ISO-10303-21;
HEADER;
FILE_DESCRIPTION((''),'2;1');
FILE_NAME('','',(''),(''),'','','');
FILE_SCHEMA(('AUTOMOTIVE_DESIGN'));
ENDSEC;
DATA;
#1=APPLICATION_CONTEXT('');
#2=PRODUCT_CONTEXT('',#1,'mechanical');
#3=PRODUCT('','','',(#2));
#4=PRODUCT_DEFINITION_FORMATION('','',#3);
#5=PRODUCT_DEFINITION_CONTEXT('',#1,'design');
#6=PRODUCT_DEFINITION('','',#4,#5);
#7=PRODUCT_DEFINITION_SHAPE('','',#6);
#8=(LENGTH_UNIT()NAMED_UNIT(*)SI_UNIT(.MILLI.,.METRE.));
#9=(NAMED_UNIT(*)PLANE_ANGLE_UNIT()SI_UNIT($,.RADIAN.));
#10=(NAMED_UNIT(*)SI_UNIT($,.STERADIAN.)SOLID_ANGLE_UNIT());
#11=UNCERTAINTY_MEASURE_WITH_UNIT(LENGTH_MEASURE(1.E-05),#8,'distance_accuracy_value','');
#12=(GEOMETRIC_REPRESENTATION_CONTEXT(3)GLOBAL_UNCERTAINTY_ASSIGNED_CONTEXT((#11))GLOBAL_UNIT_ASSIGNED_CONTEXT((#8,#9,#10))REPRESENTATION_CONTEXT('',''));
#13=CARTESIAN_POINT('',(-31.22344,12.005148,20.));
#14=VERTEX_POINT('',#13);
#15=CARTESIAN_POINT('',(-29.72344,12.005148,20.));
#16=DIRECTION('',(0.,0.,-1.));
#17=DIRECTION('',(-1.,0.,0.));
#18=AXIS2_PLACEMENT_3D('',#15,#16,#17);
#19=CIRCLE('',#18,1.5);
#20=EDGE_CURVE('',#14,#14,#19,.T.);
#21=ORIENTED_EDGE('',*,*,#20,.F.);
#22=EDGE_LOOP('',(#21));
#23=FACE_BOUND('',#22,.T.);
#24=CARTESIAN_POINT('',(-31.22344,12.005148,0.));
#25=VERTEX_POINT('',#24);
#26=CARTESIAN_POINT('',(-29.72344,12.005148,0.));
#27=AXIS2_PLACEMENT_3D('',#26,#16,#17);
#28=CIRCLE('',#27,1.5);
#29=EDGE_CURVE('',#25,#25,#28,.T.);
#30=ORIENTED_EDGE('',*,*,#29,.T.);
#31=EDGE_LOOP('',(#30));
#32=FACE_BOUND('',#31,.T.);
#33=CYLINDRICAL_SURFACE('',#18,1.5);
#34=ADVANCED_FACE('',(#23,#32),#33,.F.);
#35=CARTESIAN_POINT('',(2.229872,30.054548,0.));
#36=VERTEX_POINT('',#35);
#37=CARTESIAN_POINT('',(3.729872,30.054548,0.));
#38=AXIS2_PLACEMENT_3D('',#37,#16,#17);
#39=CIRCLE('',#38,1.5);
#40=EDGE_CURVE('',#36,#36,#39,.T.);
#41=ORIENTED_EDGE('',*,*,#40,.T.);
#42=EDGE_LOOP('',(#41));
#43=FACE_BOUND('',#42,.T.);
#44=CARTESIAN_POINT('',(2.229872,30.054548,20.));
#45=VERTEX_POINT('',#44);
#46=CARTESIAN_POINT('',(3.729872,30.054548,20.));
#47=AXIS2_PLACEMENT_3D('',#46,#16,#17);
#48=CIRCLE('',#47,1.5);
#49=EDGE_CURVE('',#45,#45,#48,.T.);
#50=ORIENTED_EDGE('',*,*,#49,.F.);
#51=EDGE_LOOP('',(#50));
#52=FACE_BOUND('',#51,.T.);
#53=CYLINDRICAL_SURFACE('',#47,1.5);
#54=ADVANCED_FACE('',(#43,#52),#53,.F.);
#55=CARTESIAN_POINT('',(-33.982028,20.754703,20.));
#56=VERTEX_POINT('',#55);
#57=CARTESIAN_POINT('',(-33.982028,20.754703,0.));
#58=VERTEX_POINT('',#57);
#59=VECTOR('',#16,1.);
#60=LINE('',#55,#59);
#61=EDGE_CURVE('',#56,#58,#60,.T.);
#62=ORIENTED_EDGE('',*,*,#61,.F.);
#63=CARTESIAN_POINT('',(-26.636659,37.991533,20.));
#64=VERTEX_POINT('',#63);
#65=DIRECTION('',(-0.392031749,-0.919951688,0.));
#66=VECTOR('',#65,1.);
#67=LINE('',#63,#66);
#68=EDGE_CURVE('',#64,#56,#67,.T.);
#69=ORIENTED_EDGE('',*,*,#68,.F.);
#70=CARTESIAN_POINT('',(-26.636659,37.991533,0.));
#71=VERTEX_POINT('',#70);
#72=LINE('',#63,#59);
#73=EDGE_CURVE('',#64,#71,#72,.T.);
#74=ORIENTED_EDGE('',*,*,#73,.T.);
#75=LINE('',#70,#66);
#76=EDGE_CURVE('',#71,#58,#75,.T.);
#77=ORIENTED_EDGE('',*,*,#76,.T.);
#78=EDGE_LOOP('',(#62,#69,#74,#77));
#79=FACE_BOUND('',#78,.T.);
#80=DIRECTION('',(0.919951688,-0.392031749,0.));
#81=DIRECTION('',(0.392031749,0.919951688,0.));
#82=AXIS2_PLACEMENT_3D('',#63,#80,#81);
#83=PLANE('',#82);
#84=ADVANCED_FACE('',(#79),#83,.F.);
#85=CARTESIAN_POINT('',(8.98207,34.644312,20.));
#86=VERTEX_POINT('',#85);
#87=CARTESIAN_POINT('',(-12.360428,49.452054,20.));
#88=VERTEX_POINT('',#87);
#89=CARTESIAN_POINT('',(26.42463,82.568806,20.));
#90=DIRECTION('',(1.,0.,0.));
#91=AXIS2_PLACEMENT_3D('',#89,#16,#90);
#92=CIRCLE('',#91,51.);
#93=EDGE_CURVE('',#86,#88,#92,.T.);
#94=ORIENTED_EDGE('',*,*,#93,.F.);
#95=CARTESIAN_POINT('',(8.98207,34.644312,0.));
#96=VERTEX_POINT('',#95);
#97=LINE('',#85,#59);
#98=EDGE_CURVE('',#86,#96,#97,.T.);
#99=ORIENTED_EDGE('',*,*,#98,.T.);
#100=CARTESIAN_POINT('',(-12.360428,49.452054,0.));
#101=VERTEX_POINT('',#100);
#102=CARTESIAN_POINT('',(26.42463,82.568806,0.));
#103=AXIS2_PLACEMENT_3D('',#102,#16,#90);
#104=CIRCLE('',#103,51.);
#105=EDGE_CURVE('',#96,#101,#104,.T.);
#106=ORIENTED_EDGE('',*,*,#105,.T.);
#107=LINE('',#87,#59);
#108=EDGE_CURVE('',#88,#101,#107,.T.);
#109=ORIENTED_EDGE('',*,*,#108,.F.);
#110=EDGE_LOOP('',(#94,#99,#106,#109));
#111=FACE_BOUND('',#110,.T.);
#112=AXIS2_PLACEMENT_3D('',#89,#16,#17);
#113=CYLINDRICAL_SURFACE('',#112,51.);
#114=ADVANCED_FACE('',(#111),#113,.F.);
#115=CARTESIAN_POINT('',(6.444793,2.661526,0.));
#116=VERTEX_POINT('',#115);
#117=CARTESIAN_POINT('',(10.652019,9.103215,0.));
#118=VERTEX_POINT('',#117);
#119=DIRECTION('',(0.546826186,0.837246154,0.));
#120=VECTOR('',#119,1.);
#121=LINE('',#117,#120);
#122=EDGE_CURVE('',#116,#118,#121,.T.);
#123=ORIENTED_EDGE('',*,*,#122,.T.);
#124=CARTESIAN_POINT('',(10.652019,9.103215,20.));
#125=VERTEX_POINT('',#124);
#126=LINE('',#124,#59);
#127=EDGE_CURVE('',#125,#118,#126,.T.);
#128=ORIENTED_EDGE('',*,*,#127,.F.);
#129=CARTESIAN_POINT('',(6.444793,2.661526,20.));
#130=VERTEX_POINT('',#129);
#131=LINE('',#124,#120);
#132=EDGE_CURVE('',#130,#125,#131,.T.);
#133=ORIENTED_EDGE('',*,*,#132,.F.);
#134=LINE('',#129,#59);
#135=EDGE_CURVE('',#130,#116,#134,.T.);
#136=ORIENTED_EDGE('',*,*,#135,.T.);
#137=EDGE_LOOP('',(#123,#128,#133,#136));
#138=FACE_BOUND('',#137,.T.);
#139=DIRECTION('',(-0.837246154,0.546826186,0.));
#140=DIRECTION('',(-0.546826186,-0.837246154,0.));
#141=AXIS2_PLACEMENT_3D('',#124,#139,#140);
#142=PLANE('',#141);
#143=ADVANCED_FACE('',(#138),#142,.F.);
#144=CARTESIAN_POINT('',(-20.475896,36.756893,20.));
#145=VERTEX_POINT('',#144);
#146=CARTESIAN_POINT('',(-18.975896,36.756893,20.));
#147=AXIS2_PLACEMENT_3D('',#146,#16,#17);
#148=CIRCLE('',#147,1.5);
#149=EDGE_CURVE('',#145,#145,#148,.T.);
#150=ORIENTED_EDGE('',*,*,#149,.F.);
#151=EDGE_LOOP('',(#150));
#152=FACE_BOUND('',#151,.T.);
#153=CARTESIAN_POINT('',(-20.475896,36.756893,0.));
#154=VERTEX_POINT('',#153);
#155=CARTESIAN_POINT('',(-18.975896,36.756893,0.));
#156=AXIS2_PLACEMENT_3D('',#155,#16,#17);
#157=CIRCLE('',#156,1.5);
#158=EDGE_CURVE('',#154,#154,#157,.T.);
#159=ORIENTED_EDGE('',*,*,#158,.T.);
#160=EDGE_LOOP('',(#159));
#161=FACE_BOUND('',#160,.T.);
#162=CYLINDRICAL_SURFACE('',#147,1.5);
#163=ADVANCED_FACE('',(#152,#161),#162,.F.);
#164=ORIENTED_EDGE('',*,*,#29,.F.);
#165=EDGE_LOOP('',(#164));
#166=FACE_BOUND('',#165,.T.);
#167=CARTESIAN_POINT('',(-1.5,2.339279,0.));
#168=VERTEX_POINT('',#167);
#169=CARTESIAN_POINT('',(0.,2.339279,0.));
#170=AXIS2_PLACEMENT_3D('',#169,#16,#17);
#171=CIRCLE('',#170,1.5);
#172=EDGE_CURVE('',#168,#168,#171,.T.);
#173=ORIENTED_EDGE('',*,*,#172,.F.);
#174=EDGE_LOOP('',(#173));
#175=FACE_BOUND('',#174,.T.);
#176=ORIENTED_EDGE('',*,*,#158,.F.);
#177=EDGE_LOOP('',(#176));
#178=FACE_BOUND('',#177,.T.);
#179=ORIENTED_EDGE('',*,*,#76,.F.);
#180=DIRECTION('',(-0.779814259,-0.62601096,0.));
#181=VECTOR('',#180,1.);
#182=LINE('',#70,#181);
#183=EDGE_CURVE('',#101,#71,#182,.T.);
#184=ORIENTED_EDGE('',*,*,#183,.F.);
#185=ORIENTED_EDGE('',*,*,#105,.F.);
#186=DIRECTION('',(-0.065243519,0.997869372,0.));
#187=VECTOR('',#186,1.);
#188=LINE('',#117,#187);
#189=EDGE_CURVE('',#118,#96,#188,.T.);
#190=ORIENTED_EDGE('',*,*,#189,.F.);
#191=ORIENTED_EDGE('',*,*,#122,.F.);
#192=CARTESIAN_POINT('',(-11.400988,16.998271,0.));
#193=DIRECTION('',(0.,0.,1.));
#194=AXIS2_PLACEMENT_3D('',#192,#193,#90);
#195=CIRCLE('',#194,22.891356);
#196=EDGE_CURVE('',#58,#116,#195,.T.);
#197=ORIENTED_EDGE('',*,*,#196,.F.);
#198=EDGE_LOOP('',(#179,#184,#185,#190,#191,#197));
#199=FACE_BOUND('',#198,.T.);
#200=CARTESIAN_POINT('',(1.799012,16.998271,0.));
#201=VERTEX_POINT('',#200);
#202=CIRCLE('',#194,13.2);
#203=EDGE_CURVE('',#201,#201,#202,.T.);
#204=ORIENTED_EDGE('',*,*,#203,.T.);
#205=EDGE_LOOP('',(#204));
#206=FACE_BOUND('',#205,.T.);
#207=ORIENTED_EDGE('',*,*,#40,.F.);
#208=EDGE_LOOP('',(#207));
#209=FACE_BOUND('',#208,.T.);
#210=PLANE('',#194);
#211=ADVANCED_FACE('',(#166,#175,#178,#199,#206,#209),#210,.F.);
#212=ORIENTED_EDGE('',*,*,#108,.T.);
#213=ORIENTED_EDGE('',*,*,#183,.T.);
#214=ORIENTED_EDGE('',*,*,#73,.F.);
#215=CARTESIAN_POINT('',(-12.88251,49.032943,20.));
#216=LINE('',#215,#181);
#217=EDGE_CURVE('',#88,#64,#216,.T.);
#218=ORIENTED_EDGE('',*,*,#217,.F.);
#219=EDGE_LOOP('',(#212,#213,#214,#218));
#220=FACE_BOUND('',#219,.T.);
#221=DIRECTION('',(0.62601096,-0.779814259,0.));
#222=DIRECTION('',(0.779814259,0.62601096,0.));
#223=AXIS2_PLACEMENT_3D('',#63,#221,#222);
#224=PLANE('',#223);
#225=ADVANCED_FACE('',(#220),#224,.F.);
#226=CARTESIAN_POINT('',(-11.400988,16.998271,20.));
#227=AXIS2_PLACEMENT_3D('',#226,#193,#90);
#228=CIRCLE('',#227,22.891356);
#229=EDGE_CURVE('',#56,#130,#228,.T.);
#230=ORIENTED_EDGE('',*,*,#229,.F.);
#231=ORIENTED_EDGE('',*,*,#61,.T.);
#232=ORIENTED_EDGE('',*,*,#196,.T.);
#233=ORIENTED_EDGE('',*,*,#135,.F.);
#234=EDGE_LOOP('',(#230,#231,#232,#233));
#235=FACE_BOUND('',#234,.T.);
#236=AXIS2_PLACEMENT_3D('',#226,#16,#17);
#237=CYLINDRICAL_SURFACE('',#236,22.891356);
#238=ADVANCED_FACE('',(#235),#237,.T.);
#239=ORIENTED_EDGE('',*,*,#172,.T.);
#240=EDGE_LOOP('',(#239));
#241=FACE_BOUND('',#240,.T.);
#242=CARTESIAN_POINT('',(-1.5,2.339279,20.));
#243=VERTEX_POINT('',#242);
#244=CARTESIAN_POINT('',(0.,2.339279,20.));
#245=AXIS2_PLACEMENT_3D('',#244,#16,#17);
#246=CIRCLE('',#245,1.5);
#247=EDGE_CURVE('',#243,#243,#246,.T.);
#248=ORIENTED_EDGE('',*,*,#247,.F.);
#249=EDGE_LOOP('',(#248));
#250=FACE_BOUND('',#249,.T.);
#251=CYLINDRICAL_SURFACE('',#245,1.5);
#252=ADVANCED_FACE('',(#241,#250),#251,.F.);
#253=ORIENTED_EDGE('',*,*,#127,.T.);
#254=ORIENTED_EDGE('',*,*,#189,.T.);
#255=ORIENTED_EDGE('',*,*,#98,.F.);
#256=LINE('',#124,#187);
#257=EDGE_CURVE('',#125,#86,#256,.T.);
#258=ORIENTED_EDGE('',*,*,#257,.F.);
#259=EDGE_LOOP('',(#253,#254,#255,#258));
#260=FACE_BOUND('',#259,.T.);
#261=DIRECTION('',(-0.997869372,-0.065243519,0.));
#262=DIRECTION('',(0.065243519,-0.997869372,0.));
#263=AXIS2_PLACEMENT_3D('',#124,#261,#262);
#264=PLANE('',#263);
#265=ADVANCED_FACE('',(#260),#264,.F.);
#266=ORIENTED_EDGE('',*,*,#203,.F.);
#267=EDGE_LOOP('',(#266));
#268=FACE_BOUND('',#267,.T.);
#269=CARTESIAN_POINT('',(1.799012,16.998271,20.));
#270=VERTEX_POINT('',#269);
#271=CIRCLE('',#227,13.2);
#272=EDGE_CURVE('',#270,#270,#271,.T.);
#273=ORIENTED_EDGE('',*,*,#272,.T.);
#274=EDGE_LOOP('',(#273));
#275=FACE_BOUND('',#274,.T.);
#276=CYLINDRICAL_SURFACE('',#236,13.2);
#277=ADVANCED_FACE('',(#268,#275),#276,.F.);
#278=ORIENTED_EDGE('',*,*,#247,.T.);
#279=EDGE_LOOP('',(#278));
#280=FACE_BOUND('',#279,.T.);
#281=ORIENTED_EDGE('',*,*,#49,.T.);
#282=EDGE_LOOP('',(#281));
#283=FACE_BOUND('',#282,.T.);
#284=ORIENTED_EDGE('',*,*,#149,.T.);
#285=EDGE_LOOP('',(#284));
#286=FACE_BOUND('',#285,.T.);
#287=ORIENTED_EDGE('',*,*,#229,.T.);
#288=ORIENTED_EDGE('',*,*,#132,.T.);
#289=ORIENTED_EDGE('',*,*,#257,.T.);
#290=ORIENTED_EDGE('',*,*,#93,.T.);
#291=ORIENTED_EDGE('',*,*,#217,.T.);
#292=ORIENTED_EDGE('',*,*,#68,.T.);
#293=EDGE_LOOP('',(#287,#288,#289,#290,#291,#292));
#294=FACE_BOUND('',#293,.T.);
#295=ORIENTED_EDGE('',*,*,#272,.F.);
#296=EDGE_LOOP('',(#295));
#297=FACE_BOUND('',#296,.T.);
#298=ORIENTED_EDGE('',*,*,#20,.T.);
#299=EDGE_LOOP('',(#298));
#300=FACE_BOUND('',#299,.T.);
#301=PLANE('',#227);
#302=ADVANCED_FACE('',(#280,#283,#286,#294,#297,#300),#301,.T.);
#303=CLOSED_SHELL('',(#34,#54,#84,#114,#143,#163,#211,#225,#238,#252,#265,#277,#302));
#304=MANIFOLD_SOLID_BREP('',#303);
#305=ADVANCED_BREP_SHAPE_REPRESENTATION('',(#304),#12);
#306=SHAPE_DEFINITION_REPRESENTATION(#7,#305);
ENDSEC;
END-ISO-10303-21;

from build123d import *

# Parameters (mm, degrees)
SKETCH_1_R         = 13.2
EXTRUDE_1_DEPTH    = 20
SKETCH1_R          = 1.5
CUT_EXTRUDE1_DEPTH = 64.415064914


with BuildPart() as part:
    # 草图1 → 凸台-拉伸1 (new body)
    with BuildSketch(Plane.XY):
        with BuildLine():
            Line((-26.636659375, 37.991533435), (-33.982028451, 20.754703285))
            ThreePointArc((-33.982028451, 20.754703285), (-20.752268235, -3.895931787), (6.444792613, 2.661525501))
            Line((6.444792613, 2.661525501), (10.6520193, 9.103214753))
            Line((10.6520193, 9.103214753), (8.9820702, 34.644311807))
            ThreePointArc((8.9820702, 34.644311807), (-2.647754906, 40.666580897), (-12.360428284, 49.452053726))
            Line((-12.360428284, 49.452053726), (-12.882509975, 49.032942563))
            Line((-12.882509975, 49.032942563), (-26.636659375, 37.991533435))
        make_face()
        with Locations((-11.400988001, 16.998271389)):
            Circle(SKETCH_1_R, mode=Mode.SUBTRACT)
    extrude(amount=EXTRUDE_1_DEPTH)

    # Sketch1 → Cut-Extrude1 (cut, through all)
    with BuildSketch(Plane(origin=(0, 0, 0), x_dir=(-1, 0, 0), z_dir=(0, 0, -1))):
        with Locations((-3.729872433, 30.054548194)):
            Circle(SKETCH1_R)
        with Locations((-311.403264346, -148.702528504)):
            Circle(SKETCH1_R)
        with Locations((18.975895674, 36.756893457)):
            Circle(SKETCH1_R)
        with Locations((29.72343959, 12.005147937)):
            Circle(SKETCH1_R)
        with Locations((0, 2.339279114)):
            Circle(SKETCH1_R)
    extrude(amount=-CUT_EXTRUDE1_DEPTH, mode=Mode.SUBTRACT)


solid = part.part
